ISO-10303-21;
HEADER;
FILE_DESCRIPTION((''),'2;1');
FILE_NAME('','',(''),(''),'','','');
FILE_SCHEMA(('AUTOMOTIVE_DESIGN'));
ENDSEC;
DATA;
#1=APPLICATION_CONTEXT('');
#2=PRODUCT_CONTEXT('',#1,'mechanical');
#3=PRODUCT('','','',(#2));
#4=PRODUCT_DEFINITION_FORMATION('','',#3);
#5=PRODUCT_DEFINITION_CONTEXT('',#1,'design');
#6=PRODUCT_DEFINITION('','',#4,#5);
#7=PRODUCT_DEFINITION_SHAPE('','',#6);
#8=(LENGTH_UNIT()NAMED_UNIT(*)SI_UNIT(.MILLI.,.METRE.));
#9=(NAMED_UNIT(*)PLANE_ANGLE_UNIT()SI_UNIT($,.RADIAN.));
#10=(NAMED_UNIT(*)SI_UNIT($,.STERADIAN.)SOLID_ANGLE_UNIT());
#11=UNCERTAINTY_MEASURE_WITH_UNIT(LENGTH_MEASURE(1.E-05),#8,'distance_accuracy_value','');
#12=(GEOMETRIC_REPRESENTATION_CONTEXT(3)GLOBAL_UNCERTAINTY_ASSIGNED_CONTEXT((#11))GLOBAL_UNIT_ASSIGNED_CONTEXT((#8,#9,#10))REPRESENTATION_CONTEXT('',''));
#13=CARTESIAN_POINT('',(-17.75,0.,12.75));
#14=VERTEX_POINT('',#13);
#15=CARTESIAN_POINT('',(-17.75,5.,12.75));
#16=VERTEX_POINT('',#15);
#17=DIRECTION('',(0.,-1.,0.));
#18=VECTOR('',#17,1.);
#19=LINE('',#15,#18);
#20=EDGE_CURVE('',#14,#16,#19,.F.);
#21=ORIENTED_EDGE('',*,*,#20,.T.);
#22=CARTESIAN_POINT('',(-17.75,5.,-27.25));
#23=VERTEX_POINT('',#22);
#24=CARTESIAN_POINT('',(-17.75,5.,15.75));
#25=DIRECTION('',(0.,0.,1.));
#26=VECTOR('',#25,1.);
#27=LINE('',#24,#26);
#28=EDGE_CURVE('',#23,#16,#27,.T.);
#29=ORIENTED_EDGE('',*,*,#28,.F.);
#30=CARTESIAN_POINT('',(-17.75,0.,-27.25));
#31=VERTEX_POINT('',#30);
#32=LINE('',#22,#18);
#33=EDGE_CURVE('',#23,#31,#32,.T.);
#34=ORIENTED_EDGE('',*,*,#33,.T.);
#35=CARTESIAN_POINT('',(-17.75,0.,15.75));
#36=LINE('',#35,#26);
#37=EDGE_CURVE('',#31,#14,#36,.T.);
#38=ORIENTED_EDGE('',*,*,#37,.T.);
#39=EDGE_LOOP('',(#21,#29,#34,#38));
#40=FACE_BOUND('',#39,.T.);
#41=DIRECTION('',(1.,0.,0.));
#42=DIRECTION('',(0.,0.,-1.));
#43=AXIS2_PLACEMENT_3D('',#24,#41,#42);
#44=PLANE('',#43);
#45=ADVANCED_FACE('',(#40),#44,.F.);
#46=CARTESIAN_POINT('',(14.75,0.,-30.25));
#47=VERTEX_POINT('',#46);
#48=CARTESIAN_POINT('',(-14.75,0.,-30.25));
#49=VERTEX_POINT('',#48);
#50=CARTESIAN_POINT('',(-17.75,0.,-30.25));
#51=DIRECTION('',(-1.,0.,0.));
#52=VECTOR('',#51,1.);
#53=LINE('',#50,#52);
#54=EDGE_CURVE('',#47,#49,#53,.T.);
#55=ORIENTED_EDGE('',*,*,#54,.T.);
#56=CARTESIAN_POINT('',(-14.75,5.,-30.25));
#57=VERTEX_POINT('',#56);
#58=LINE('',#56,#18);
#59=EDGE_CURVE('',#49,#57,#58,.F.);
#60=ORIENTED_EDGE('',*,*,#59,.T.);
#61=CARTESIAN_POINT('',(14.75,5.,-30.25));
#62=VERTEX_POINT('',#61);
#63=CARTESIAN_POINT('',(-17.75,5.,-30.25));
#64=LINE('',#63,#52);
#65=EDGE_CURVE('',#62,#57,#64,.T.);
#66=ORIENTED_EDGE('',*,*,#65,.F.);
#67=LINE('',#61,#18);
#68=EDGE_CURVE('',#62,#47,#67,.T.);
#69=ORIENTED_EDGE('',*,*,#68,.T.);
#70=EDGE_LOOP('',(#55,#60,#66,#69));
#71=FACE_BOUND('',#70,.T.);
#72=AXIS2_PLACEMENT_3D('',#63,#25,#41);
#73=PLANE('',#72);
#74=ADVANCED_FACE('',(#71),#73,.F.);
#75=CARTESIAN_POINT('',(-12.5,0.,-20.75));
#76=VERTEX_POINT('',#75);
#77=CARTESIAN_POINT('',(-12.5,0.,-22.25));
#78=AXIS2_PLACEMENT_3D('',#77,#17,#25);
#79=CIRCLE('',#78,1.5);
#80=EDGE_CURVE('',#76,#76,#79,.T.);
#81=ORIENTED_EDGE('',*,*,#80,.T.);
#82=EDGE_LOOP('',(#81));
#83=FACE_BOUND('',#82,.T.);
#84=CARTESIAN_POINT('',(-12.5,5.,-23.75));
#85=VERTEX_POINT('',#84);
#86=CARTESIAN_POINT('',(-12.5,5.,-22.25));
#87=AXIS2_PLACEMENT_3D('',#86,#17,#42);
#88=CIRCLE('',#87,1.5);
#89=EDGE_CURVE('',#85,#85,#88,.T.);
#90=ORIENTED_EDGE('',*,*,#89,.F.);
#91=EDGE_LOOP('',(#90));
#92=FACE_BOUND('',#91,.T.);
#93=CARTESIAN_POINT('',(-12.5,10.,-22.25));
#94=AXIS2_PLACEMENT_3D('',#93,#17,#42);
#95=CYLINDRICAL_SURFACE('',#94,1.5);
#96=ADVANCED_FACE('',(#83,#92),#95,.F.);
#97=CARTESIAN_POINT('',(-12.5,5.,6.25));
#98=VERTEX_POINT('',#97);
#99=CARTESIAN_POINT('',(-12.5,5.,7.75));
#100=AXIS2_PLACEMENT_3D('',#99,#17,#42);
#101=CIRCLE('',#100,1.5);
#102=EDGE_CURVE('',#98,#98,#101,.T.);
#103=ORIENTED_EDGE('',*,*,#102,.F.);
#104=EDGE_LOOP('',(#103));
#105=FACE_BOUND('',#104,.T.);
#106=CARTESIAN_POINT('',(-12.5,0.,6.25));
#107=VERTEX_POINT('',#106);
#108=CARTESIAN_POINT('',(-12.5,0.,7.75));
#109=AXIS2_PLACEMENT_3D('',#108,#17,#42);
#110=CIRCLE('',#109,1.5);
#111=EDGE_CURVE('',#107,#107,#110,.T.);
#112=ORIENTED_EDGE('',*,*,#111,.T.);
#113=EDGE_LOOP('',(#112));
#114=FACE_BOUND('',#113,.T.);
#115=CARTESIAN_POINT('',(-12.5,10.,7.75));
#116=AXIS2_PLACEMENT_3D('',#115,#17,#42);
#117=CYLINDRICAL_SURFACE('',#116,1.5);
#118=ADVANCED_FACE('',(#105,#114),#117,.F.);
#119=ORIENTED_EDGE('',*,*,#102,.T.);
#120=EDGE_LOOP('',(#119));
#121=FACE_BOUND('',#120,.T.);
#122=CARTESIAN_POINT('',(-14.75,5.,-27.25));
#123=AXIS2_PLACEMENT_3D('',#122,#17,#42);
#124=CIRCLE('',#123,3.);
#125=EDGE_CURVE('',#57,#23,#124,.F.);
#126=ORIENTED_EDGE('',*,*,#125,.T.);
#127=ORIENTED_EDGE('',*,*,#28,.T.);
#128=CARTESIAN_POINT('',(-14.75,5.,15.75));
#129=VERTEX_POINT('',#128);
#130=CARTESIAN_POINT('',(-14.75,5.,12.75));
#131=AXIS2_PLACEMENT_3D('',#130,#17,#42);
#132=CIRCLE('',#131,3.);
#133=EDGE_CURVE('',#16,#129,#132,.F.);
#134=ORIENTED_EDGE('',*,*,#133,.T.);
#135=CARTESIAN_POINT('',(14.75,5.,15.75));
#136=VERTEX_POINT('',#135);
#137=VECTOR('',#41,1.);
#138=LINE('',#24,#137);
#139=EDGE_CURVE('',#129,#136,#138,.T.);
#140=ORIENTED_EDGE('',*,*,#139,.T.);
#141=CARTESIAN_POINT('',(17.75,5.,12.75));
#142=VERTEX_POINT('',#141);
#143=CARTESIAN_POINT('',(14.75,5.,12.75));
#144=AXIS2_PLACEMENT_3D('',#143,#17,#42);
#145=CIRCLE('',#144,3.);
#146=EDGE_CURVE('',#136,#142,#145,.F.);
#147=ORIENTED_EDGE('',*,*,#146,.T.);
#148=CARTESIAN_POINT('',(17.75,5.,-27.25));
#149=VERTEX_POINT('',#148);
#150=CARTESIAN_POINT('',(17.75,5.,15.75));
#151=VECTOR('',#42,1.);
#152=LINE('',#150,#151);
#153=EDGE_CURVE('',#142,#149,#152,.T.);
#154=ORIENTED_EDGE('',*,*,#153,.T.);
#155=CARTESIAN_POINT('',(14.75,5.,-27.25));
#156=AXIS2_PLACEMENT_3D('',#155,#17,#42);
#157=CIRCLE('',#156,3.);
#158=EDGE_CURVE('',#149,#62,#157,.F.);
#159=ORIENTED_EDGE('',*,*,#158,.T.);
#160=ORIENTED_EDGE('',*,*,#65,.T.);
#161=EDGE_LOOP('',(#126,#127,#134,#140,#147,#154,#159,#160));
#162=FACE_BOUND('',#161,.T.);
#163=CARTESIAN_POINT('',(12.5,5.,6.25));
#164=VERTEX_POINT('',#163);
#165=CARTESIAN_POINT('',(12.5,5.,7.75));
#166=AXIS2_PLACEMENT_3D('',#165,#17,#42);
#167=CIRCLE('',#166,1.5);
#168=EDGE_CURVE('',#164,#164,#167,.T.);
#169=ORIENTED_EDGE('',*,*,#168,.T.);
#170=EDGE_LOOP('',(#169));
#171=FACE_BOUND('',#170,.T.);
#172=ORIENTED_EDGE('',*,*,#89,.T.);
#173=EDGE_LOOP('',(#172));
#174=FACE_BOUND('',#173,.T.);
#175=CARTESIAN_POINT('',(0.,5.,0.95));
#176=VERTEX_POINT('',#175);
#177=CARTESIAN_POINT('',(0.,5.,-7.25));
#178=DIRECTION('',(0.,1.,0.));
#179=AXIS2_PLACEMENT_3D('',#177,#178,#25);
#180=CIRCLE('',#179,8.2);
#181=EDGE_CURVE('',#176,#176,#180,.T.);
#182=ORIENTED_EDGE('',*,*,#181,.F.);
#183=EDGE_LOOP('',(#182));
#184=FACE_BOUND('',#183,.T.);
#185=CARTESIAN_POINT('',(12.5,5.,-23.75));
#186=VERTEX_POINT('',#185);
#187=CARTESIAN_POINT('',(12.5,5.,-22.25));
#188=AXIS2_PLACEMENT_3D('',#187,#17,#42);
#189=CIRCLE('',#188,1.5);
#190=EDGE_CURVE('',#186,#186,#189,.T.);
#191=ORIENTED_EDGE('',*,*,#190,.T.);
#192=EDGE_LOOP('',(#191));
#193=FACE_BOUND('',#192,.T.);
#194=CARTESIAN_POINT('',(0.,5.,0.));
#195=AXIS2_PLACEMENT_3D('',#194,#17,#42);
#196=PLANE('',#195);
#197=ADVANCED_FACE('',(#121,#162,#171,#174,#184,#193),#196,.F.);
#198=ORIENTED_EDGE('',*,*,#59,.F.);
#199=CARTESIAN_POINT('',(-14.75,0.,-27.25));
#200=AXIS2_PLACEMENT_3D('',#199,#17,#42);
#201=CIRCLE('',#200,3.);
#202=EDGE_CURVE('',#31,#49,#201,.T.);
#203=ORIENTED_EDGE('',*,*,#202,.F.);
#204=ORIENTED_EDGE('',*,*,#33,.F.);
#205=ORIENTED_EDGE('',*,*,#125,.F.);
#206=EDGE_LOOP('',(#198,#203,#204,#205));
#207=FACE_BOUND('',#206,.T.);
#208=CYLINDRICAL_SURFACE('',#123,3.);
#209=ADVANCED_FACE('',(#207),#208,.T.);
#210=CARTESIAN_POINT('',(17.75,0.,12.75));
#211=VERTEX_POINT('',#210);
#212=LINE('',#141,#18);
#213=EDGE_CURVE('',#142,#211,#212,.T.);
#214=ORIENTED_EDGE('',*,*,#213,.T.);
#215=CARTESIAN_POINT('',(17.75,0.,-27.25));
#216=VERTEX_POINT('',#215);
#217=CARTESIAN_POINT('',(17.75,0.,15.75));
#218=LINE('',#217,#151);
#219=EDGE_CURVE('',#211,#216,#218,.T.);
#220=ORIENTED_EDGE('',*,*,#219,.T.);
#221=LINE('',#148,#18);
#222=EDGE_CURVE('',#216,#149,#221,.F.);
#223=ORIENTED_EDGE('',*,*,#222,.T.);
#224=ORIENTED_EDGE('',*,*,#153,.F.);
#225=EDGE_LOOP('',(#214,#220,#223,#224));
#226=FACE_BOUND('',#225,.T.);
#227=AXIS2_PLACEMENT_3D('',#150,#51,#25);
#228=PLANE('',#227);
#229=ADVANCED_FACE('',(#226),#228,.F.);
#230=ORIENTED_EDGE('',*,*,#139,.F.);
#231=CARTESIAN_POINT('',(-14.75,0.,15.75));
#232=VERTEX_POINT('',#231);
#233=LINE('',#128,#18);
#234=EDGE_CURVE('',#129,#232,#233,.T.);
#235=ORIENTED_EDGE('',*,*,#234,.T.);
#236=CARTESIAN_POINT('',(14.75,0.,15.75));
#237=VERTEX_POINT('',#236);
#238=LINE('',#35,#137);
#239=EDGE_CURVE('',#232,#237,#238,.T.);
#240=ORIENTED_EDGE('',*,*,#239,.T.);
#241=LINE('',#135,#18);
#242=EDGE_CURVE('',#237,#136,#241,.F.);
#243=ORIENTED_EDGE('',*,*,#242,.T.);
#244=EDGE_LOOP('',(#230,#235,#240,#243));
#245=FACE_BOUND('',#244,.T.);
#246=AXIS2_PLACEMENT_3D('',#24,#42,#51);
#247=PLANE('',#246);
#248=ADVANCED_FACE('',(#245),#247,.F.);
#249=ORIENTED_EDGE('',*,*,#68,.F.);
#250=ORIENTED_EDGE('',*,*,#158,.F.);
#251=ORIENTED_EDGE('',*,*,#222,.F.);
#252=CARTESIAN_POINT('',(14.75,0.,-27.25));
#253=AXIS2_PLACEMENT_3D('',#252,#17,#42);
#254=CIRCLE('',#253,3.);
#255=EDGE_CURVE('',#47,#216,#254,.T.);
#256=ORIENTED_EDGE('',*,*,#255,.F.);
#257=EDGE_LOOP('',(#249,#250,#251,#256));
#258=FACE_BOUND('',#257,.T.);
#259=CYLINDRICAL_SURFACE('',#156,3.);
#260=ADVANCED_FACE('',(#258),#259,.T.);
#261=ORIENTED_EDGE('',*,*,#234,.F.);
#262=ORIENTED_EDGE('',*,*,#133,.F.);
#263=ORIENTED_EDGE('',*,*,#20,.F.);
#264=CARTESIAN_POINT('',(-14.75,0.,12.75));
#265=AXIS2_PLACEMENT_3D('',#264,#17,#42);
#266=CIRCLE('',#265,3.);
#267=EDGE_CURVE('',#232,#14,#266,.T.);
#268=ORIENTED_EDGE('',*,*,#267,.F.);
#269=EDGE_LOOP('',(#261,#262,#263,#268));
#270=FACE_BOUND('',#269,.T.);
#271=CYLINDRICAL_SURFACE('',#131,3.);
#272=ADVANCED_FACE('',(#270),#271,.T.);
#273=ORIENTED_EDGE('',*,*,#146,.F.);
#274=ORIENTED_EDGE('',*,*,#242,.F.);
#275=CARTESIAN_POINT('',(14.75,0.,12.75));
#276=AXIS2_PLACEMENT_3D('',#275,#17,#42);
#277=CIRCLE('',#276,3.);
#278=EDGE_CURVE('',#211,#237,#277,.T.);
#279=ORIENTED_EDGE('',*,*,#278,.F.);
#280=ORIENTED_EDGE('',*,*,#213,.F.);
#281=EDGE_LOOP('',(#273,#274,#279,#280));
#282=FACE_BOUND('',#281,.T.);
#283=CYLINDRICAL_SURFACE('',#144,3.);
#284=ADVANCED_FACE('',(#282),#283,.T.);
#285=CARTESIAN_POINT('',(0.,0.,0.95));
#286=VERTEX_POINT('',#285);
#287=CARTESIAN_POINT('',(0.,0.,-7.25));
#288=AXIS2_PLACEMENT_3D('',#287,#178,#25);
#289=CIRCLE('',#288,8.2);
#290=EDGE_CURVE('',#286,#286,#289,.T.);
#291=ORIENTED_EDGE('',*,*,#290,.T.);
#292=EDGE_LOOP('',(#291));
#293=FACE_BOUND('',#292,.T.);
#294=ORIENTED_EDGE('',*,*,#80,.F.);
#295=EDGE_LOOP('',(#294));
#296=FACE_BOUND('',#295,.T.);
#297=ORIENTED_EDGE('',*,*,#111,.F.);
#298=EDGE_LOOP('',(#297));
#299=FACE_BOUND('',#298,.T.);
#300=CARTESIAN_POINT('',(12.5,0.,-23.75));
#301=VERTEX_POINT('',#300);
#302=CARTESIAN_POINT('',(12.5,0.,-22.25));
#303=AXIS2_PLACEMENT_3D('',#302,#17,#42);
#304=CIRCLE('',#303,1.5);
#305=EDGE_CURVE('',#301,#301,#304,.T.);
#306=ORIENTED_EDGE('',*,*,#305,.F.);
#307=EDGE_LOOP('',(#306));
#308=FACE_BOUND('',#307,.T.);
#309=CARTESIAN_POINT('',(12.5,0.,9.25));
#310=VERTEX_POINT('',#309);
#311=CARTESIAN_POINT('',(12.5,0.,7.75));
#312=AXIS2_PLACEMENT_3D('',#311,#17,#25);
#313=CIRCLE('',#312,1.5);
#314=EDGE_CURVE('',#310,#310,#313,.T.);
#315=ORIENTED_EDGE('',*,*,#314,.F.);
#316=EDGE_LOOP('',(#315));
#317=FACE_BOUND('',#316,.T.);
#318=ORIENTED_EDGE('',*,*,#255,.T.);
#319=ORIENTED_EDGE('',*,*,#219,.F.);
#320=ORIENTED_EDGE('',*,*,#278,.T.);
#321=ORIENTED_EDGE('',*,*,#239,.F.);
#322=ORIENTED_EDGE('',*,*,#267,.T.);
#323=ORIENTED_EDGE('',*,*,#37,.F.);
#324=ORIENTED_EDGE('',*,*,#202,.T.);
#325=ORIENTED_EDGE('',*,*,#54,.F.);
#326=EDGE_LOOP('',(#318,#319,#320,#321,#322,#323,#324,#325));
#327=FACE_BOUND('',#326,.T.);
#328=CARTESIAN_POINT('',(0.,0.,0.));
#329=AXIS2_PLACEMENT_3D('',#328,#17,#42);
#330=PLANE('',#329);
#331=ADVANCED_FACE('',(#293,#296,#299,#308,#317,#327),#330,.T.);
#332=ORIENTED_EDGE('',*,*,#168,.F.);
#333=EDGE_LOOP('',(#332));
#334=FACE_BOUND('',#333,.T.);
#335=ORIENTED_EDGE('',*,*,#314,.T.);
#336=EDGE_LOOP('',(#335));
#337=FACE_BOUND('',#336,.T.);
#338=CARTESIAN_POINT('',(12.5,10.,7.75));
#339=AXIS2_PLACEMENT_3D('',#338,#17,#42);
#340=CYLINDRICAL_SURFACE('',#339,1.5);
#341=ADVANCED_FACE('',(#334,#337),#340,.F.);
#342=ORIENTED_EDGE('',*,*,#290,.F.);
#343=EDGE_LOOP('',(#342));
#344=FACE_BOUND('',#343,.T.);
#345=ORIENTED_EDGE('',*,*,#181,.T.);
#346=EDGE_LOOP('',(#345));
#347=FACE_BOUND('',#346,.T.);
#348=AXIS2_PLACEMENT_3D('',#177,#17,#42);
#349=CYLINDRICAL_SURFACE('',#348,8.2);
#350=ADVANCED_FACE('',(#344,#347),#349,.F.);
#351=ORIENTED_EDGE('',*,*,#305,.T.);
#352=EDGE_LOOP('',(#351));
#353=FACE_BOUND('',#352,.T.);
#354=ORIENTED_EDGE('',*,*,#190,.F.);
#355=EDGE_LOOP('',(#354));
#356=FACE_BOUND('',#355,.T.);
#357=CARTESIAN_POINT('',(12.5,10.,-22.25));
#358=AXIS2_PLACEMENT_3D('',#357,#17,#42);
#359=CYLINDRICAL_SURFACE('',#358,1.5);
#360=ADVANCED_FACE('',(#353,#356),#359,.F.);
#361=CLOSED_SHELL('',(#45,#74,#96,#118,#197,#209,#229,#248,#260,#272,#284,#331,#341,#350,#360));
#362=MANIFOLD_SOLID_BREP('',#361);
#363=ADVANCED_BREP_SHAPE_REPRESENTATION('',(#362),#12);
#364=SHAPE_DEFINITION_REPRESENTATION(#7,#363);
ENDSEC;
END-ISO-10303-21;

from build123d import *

# Parameters (mm, degrees)
SKETCH_1_W          = 35.5
SKETCH_1_H          = 46
SKETCH_1_R          = 8.2
EXTRUDE_1_DEPTH     = 5
FILLET_2_R          = 3
SKETCH_3_R          = 1.5
CUT_EXTRUDE_1_DEPTH = 10


with BuildPart() as part:
    # 草图1 → 凸台-拉伸1 (new body)
    with BuildSketch(Plane(origin=(0, 0, 0), x_dir=(1, 0, 0), z_dir=(0, 1, 0))):
        with Locations((0, 7.25)):
            Rectangle(SKETCH_1_W, SKETCH_1_H)
        with Locations(Location((0, 7.25, 0), (0, 0, 270))):
            Circle(SKETCH_1_R, mode=Mode.SUBTRACT)
    extrude(amount=EXTRUDE_1_DEPTH)

    # 圆角2
    fillet_2_edges = [part.edges().sort_by_distance(p)[0] for p in [
        (-17.75, 2.5, -30.25),
        (17.75, 2.5, -30.25),
        (17.75, 2.5, 15.75),
        (-17.75, 2.5, 15.75),
    ]]
    fillet(fillet_2_edges, radius=FILLET_2_R)

    # 草图3 → 切除-拉伸1 (cut)
    with BuildSketch(Plane.XZ):
        with Locations(Location((-12.5, 7.75, 0), (0, 0, 270))):
            Circle(SKETCH_3_R)
        with Locations(Location((12.5, 7.75, 0), (0, 0, 270))):
            Circle(SKETCH_3_R)
        with Locations(Location((12.5, -22.25, 0), (0, 0, 270))):
            Circle(SKETCH_3_R)
        with Locations(Location((-12.5, -22.25, 0), (0, 0, 270))):
            Circle(SKETCH_3_R)
    extrude(amount=-CUT_EXTRUDE_1_DEPTH, mode=Mode.SUBTRACT)


solid = part.part
